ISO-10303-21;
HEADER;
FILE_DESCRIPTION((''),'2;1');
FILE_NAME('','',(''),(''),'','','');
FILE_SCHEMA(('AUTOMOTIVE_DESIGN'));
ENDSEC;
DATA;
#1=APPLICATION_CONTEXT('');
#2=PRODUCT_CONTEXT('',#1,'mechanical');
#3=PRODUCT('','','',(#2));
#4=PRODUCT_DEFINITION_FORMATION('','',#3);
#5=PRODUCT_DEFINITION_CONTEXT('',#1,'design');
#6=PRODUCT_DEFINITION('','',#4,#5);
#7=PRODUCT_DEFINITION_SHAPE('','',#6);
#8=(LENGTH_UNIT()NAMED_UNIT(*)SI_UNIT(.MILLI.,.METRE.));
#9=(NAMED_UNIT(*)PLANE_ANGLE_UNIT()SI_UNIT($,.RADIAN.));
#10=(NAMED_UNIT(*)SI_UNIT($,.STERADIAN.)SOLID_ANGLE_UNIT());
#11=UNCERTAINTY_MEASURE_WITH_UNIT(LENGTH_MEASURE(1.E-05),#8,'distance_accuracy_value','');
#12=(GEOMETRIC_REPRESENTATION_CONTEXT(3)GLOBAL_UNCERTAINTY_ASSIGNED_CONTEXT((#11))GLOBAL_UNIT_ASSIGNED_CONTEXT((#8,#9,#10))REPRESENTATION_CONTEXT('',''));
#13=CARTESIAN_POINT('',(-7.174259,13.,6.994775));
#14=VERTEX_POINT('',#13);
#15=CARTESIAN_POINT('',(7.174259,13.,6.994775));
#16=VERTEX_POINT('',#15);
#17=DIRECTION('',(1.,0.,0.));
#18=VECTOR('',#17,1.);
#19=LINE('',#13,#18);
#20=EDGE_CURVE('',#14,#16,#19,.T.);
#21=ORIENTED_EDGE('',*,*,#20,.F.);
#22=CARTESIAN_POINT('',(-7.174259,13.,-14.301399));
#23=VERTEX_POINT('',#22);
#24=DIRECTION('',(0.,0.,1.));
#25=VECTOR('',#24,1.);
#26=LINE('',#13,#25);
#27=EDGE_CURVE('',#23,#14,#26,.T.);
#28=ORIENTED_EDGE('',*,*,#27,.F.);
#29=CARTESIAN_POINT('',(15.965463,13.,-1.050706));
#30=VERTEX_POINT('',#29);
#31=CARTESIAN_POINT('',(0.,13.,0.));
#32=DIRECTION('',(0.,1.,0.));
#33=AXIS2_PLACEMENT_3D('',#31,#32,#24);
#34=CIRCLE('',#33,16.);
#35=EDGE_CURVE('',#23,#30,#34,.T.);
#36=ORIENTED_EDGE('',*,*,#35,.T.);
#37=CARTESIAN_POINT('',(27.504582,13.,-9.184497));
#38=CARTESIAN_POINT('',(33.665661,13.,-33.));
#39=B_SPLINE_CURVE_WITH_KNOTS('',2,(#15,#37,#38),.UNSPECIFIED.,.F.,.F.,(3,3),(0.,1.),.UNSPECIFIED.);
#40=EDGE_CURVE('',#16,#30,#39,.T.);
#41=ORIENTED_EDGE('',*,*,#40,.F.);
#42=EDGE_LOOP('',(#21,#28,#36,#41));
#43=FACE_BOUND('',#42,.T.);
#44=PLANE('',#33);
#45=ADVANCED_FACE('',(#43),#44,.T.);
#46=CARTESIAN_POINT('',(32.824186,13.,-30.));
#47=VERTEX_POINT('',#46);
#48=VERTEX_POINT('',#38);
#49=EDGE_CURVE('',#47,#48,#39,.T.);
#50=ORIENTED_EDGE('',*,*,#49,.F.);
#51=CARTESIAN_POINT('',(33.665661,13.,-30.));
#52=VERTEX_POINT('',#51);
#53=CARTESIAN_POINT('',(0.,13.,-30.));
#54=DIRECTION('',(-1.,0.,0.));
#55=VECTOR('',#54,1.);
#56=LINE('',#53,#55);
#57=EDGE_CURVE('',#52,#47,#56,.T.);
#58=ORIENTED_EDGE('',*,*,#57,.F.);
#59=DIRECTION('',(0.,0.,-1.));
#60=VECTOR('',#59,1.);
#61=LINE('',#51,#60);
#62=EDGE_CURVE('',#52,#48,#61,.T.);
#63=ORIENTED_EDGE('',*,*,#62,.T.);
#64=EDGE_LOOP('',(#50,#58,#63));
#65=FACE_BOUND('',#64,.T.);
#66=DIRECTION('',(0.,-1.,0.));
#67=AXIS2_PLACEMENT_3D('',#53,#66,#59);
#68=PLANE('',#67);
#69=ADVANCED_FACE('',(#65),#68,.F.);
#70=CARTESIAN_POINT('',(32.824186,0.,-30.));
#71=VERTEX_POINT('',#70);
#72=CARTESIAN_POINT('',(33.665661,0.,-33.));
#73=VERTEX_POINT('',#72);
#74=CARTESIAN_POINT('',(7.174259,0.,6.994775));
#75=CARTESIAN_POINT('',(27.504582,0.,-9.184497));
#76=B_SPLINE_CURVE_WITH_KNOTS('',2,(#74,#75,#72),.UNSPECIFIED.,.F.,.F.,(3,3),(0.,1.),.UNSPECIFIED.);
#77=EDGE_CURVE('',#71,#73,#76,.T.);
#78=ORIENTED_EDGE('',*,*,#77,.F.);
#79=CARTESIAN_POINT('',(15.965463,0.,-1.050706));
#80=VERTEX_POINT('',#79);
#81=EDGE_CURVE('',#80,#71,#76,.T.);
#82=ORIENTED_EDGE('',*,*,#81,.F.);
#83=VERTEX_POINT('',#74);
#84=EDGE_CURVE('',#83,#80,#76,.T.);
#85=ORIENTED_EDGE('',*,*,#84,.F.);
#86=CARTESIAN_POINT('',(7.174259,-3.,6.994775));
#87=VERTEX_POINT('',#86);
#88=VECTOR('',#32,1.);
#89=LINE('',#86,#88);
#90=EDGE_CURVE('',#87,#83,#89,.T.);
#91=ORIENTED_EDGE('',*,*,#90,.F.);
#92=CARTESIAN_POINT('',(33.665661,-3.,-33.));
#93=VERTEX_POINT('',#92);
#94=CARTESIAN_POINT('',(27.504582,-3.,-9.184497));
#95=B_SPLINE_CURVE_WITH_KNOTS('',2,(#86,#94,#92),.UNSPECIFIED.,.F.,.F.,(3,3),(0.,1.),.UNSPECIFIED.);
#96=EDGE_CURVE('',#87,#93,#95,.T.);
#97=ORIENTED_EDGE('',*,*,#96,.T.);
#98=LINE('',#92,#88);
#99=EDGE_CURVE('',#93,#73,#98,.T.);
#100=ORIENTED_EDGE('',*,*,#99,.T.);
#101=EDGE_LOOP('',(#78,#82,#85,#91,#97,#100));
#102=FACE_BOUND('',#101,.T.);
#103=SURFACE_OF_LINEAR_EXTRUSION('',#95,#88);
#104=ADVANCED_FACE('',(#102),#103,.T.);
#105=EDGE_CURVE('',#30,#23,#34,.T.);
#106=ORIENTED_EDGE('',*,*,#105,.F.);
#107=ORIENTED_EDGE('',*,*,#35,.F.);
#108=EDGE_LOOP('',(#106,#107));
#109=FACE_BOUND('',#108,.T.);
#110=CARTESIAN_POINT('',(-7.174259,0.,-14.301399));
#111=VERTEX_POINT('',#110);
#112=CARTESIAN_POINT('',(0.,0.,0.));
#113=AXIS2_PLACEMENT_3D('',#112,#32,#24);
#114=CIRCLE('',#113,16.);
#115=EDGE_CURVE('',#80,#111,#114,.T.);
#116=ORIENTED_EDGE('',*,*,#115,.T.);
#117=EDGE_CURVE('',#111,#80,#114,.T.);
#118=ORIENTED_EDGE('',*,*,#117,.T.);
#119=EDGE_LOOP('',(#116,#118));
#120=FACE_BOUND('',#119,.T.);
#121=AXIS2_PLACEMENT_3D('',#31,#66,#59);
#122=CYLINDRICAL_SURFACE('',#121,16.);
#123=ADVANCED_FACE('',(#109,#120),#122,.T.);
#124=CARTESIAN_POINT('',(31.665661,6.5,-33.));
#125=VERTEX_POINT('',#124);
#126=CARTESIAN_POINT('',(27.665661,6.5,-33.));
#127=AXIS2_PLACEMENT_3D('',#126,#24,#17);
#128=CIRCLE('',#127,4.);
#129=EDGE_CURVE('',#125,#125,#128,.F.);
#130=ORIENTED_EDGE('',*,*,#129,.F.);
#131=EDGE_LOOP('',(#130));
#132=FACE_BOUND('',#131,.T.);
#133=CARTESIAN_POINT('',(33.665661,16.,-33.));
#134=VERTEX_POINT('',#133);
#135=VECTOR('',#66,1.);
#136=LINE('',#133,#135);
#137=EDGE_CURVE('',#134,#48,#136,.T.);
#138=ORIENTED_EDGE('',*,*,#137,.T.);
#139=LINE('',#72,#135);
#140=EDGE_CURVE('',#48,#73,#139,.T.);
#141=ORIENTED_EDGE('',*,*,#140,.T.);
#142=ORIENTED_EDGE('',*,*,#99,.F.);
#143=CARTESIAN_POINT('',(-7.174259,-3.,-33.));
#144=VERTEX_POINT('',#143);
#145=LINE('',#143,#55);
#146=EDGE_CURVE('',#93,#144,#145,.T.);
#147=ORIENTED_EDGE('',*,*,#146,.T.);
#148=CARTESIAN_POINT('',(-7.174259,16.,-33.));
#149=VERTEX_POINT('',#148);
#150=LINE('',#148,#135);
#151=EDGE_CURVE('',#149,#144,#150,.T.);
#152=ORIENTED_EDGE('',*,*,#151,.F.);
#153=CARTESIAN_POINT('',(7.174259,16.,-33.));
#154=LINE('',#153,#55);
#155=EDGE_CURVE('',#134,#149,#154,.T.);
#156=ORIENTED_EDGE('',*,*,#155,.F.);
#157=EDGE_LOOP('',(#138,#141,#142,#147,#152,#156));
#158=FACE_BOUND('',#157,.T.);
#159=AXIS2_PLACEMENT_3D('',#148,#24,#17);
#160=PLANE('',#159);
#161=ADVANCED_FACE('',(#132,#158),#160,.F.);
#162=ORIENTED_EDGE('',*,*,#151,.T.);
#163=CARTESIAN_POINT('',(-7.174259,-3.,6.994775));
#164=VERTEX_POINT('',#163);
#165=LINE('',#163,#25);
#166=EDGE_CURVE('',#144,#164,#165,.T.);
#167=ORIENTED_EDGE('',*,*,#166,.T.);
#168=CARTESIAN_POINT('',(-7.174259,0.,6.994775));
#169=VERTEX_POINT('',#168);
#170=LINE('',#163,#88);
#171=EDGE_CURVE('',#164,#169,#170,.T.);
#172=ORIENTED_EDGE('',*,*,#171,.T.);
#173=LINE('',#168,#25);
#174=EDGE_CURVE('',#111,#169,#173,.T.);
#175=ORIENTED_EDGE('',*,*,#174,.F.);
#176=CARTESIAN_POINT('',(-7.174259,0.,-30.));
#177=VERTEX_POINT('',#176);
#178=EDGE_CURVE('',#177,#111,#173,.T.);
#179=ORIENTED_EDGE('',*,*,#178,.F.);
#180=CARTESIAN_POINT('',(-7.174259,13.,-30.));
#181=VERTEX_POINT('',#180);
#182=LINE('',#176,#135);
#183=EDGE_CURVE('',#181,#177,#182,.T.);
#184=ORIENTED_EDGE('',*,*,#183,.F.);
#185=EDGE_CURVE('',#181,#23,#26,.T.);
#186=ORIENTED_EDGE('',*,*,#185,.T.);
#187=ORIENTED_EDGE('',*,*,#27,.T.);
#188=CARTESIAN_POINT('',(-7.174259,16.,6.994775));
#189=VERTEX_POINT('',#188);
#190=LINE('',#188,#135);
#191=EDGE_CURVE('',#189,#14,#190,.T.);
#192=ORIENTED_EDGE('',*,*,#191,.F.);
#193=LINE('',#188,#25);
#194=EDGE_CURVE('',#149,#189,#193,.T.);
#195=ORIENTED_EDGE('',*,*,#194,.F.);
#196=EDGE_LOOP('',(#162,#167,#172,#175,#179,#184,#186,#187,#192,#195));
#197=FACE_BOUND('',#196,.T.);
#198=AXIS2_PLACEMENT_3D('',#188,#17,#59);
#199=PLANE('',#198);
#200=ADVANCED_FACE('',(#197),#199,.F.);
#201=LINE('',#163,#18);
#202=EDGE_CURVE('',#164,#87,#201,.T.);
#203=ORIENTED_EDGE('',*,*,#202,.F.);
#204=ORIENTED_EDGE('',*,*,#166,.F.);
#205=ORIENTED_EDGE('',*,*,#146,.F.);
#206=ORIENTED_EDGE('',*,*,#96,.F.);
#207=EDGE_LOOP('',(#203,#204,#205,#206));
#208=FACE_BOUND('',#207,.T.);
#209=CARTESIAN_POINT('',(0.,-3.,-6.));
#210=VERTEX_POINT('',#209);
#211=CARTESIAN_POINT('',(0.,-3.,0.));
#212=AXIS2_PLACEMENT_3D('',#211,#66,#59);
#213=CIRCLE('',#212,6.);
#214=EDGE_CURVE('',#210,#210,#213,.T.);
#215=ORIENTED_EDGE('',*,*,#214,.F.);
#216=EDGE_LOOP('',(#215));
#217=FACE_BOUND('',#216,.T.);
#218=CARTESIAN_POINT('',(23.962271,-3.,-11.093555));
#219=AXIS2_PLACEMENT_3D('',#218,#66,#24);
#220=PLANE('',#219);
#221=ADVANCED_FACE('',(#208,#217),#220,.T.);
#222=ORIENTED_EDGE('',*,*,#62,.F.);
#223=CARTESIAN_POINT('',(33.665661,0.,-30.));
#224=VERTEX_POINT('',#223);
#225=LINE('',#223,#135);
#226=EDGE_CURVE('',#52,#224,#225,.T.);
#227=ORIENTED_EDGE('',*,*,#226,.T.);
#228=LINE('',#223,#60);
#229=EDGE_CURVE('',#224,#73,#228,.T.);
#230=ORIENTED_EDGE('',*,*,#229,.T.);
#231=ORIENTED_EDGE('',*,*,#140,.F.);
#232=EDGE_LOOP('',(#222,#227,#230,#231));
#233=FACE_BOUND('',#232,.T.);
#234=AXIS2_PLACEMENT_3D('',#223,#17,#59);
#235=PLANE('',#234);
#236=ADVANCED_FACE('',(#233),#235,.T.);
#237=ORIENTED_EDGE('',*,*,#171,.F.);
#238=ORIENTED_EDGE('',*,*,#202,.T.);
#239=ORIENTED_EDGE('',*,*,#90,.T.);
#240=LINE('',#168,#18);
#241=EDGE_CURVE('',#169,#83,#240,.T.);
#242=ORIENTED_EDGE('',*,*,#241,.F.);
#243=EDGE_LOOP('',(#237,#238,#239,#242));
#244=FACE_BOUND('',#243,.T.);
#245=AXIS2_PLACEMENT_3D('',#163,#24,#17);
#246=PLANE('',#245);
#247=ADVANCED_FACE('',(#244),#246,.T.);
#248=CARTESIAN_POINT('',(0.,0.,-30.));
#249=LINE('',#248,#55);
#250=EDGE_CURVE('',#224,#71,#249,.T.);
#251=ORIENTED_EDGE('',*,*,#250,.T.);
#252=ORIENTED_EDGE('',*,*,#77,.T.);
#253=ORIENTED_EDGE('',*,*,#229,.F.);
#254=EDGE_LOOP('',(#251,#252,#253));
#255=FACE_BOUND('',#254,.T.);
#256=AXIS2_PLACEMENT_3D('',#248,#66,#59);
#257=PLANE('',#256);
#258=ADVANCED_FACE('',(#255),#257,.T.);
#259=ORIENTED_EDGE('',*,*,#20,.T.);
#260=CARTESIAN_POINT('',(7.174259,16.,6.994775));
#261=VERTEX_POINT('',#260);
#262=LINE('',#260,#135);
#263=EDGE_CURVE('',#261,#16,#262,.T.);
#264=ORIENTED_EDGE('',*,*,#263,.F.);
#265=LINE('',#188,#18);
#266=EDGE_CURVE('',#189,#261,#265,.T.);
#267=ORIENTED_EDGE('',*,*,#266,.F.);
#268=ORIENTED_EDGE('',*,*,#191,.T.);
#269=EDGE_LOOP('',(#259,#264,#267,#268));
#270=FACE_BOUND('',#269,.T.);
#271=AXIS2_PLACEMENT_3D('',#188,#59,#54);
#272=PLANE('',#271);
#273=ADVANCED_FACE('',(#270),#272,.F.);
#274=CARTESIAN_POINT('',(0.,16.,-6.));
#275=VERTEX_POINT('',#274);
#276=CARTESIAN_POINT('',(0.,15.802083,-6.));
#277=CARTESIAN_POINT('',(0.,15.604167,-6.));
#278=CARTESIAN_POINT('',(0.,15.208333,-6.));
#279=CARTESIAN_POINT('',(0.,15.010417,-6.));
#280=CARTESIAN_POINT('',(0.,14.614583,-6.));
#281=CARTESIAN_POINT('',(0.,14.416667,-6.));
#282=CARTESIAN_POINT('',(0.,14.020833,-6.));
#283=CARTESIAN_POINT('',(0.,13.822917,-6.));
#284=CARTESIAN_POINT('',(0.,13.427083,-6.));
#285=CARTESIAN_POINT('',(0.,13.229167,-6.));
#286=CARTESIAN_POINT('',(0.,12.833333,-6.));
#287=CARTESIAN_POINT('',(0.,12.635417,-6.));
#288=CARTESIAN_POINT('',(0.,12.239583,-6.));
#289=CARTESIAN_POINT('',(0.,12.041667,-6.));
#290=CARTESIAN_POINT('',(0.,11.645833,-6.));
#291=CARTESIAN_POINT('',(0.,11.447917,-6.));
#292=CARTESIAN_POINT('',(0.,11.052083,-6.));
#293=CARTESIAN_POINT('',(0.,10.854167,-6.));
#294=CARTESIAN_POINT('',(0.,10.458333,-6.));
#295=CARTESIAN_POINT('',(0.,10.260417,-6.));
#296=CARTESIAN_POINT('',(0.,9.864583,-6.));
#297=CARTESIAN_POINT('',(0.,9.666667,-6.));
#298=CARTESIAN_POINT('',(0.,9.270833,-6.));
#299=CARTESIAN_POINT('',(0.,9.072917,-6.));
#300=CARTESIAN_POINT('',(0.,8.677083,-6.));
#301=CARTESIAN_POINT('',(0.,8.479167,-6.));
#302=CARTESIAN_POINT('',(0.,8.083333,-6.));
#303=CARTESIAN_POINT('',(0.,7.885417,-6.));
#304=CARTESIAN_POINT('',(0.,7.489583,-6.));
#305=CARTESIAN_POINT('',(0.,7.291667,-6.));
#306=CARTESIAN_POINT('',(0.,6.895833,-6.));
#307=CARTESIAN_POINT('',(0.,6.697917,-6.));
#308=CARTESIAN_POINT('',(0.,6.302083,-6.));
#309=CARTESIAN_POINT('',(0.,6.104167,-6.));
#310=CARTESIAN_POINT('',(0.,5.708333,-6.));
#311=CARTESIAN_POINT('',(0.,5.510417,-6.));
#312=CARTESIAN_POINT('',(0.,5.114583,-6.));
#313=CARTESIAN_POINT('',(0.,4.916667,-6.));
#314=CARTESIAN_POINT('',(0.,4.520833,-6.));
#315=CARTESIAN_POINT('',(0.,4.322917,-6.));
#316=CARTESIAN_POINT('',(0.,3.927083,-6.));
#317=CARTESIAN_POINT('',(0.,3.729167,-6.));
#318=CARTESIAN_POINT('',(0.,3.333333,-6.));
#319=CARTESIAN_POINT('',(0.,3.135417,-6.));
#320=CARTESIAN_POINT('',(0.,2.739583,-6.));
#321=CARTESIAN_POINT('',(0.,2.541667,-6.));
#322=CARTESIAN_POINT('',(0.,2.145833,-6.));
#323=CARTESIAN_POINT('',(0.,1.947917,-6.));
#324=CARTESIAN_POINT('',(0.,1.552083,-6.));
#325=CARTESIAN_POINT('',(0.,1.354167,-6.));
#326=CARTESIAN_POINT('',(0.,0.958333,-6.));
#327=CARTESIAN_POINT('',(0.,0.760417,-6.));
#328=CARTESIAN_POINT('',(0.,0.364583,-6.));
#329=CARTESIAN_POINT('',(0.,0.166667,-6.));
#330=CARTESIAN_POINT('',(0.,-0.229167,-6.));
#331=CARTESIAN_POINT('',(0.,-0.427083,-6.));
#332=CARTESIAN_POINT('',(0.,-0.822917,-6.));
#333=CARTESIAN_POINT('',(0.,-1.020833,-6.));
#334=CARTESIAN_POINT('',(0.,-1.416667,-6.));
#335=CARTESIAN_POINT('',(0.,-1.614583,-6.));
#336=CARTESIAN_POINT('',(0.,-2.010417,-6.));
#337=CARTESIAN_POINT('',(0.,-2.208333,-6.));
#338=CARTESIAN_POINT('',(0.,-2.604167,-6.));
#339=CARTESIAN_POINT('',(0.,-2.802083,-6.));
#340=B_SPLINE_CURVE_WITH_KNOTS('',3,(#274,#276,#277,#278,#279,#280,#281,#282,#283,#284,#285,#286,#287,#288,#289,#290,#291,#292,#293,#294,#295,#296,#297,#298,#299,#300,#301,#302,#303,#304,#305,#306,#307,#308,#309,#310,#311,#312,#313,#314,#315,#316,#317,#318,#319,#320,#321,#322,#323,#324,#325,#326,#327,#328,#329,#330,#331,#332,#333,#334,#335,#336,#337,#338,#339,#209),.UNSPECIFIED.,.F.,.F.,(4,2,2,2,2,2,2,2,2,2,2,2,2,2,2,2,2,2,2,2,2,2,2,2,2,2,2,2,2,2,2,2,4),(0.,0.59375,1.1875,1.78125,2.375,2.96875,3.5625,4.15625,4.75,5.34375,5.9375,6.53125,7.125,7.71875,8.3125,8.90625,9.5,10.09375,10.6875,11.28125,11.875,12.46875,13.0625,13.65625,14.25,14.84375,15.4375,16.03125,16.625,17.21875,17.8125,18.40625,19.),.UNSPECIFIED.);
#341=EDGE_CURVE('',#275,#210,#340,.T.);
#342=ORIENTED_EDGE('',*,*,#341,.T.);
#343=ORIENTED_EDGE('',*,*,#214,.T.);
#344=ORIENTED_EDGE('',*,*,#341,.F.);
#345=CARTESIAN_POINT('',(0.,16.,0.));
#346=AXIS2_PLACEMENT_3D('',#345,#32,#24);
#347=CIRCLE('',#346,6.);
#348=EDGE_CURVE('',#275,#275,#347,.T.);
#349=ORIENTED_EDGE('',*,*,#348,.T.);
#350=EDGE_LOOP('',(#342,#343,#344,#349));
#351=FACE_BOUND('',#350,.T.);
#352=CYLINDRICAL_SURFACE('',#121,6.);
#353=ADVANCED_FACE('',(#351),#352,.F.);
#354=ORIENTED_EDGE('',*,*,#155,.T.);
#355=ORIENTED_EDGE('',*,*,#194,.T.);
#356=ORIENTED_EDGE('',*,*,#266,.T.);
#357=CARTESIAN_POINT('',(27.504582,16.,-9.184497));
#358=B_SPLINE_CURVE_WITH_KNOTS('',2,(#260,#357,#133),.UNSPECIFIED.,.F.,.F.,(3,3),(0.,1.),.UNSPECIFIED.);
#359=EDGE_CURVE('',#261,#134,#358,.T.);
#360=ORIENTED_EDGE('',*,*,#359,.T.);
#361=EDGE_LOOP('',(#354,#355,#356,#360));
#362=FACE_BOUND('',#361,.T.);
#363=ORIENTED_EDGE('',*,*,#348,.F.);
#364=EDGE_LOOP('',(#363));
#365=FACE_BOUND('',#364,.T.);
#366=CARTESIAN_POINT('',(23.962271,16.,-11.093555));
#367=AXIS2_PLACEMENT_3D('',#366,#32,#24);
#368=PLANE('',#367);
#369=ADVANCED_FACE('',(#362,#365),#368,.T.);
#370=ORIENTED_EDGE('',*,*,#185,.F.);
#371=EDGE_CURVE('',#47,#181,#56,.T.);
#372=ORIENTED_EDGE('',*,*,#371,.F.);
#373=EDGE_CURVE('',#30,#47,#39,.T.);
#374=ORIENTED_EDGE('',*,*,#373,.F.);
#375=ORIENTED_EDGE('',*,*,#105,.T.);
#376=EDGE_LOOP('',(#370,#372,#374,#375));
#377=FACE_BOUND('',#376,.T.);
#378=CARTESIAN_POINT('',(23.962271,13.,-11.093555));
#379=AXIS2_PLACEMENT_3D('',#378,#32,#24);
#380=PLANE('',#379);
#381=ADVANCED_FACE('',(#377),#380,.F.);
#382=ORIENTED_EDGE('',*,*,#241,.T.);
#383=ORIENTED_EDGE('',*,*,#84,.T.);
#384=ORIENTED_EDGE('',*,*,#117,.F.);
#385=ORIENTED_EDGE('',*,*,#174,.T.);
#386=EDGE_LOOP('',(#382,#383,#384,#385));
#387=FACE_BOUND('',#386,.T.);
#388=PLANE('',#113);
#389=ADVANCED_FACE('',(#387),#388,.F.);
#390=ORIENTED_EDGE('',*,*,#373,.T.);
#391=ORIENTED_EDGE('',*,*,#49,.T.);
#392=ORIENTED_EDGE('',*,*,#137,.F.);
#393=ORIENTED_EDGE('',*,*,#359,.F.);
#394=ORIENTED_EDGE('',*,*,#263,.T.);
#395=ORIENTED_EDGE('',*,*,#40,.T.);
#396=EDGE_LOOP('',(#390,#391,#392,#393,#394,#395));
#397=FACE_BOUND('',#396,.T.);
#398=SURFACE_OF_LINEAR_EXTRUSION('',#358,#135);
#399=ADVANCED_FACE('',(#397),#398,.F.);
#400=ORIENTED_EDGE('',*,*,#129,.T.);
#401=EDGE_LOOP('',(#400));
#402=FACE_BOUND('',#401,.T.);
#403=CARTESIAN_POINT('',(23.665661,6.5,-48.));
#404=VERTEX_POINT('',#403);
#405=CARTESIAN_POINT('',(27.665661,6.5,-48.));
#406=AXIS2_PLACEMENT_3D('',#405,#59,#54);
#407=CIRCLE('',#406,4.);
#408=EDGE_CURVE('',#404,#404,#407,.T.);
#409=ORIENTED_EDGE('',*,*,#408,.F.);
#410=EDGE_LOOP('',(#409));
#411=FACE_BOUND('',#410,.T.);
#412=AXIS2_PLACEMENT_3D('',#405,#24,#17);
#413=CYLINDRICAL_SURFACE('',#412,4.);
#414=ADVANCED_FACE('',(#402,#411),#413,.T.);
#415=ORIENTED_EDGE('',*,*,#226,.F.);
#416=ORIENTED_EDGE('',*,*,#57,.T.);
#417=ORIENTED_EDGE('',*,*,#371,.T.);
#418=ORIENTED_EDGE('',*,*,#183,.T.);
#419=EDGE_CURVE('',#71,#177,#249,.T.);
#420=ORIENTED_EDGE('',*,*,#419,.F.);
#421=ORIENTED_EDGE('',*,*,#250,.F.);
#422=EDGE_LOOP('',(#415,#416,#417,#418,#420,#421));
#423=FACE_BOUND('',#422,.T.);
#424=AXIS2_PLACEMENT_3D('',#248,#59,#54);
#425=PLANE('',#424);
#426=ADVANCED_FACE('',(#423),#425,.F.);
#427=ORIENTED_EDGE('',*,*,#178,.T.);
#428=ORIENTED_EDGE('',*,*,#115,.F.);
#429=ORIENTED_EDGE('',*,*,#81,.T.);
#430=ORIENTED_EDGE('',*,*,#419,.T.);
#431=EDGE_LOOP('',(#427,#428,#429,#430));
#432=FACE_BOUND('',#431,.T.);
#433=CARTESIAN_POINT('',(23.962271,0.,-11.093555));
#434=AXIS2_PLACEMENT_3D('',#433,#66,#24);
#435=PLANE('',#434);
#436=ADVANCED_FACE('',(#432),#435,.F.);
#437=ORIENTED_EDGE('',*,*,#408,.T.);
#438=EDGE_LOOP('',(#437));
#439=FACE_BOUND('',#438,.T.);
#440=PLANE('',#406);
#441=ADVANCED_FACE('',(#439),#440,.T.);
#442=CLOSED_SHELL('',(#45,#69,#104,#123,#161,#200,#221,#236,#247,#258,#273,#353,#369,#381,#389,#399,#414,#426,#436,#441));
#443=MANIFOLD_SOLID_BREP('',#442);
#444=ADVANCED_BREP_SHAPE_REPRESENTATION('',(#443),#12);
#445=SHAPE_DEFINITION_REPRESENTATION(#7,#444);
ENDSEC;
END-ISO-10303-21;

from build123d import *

# Parameters (mm, degrees)
SKETCH_1_R          = 16
SKETCH_1_R_2        = 6
EXTRUDE_1_DEPTH     = 13
EXTRUDE_2_DEPTH     = 3
SKETCH_3_W          = 40.839919316
SKETCH_3_H          = 13
EXTRUDE_3_DEPTH     = 3
SKETCH_4_R          = 4
EXTRUDE_4_DEPTH     = 15
SKETCH_5_R          = 6
CUT_EXTRUDE_1_DEPTH = 30


with BuildPart() as part:
    # 草图1 → 凸台-拉伸1 (new body)
    with BuildSketch(Plane(origin=(0, 0, 0), x_dir=(1, 0, 0), z_dir=(0, 1, 0))):
        with Locations(Location((0, 0, 0), (0, 0, 90))):
            Circle(SKETCH_1_R)
        with Locations(Location((0, 0, 0), (0, 0, 90))):
            Circle(SKETCH_1_R_2, mode=Mode.SUBTRACT)
    extrude(amount=EXTRUDE_1_DEPTH)

    # 草图2 → 凸台-拉伸2 (add)
    with BuildSketch(Plane(origin=(0, 13, 0), x_dir=(1, 0, 0), z_dir=(0, 1, 0))):
        with BuildLine():
            Line((-7.174258512, -6.994775102), (7.174258512, -6.994775102))
            add(Edge.make_bspline(
                [(33.665660804, 33), (27.50458158, 9.184496857), (7.174258512, -6.994775102)],
                knots=[0, 0, 0, 1, 1, 1], degree=2))
            Line((33.665660804, 33), (7.174258512, 33))
            Line((7.174258512, 33), (-7.174258512, 33))
            Line((-7.174258512, 33), (-7.174258512, -6.994775102))
        make_face()
    extrude_2 = extrude(amount=EXTRUDE_2_DEPTH)

    # 镜向1: 凸台-拉伸2 across plane
    add(extrude_2.mirror(Plane.ZX.offset(6.5)))

    # 草图3 → 凸台-拉伸3 (add)
    with BuildSketch(Plane(origin=(0, 0, -33), x_dir=(-1, 0, 0), z_dir=(0, 0, -1))):
        with Locations((-13.245701146, 6.5)):
            Rectangle(SKETCH_3_W, SKETCH_3_H)
    extrude(amount=-EXTRUDE_3_DEPTH)

    # 草图4 → 凸台-拉伸4 (add)
    with BuildSketch(Plane(origin=(0, 0, -33), x_dir=(-1, 0, 0), z_dir=(0, 0, -1))):
        with Locations(Location((-27.665660804, 6.5, 0), (0, 0, 180))):
            Circle(SKETCH_4_R)
    extrude(amount=EXTRUDE_4_DEPTH)

    # 草图5 → 切除-拉伸1 (cut)
    with BuildSketch(Plane.XZ.offset(3)):
        with Locations(Location((0, 0, 0), (0, 0, 270))):
            Circle(SKETCH_5_R)
    extrude(amount=-CUT_EXTRUDE_1_DEPTH, mode=Mode.SUBTRACT)


solid = part.part
